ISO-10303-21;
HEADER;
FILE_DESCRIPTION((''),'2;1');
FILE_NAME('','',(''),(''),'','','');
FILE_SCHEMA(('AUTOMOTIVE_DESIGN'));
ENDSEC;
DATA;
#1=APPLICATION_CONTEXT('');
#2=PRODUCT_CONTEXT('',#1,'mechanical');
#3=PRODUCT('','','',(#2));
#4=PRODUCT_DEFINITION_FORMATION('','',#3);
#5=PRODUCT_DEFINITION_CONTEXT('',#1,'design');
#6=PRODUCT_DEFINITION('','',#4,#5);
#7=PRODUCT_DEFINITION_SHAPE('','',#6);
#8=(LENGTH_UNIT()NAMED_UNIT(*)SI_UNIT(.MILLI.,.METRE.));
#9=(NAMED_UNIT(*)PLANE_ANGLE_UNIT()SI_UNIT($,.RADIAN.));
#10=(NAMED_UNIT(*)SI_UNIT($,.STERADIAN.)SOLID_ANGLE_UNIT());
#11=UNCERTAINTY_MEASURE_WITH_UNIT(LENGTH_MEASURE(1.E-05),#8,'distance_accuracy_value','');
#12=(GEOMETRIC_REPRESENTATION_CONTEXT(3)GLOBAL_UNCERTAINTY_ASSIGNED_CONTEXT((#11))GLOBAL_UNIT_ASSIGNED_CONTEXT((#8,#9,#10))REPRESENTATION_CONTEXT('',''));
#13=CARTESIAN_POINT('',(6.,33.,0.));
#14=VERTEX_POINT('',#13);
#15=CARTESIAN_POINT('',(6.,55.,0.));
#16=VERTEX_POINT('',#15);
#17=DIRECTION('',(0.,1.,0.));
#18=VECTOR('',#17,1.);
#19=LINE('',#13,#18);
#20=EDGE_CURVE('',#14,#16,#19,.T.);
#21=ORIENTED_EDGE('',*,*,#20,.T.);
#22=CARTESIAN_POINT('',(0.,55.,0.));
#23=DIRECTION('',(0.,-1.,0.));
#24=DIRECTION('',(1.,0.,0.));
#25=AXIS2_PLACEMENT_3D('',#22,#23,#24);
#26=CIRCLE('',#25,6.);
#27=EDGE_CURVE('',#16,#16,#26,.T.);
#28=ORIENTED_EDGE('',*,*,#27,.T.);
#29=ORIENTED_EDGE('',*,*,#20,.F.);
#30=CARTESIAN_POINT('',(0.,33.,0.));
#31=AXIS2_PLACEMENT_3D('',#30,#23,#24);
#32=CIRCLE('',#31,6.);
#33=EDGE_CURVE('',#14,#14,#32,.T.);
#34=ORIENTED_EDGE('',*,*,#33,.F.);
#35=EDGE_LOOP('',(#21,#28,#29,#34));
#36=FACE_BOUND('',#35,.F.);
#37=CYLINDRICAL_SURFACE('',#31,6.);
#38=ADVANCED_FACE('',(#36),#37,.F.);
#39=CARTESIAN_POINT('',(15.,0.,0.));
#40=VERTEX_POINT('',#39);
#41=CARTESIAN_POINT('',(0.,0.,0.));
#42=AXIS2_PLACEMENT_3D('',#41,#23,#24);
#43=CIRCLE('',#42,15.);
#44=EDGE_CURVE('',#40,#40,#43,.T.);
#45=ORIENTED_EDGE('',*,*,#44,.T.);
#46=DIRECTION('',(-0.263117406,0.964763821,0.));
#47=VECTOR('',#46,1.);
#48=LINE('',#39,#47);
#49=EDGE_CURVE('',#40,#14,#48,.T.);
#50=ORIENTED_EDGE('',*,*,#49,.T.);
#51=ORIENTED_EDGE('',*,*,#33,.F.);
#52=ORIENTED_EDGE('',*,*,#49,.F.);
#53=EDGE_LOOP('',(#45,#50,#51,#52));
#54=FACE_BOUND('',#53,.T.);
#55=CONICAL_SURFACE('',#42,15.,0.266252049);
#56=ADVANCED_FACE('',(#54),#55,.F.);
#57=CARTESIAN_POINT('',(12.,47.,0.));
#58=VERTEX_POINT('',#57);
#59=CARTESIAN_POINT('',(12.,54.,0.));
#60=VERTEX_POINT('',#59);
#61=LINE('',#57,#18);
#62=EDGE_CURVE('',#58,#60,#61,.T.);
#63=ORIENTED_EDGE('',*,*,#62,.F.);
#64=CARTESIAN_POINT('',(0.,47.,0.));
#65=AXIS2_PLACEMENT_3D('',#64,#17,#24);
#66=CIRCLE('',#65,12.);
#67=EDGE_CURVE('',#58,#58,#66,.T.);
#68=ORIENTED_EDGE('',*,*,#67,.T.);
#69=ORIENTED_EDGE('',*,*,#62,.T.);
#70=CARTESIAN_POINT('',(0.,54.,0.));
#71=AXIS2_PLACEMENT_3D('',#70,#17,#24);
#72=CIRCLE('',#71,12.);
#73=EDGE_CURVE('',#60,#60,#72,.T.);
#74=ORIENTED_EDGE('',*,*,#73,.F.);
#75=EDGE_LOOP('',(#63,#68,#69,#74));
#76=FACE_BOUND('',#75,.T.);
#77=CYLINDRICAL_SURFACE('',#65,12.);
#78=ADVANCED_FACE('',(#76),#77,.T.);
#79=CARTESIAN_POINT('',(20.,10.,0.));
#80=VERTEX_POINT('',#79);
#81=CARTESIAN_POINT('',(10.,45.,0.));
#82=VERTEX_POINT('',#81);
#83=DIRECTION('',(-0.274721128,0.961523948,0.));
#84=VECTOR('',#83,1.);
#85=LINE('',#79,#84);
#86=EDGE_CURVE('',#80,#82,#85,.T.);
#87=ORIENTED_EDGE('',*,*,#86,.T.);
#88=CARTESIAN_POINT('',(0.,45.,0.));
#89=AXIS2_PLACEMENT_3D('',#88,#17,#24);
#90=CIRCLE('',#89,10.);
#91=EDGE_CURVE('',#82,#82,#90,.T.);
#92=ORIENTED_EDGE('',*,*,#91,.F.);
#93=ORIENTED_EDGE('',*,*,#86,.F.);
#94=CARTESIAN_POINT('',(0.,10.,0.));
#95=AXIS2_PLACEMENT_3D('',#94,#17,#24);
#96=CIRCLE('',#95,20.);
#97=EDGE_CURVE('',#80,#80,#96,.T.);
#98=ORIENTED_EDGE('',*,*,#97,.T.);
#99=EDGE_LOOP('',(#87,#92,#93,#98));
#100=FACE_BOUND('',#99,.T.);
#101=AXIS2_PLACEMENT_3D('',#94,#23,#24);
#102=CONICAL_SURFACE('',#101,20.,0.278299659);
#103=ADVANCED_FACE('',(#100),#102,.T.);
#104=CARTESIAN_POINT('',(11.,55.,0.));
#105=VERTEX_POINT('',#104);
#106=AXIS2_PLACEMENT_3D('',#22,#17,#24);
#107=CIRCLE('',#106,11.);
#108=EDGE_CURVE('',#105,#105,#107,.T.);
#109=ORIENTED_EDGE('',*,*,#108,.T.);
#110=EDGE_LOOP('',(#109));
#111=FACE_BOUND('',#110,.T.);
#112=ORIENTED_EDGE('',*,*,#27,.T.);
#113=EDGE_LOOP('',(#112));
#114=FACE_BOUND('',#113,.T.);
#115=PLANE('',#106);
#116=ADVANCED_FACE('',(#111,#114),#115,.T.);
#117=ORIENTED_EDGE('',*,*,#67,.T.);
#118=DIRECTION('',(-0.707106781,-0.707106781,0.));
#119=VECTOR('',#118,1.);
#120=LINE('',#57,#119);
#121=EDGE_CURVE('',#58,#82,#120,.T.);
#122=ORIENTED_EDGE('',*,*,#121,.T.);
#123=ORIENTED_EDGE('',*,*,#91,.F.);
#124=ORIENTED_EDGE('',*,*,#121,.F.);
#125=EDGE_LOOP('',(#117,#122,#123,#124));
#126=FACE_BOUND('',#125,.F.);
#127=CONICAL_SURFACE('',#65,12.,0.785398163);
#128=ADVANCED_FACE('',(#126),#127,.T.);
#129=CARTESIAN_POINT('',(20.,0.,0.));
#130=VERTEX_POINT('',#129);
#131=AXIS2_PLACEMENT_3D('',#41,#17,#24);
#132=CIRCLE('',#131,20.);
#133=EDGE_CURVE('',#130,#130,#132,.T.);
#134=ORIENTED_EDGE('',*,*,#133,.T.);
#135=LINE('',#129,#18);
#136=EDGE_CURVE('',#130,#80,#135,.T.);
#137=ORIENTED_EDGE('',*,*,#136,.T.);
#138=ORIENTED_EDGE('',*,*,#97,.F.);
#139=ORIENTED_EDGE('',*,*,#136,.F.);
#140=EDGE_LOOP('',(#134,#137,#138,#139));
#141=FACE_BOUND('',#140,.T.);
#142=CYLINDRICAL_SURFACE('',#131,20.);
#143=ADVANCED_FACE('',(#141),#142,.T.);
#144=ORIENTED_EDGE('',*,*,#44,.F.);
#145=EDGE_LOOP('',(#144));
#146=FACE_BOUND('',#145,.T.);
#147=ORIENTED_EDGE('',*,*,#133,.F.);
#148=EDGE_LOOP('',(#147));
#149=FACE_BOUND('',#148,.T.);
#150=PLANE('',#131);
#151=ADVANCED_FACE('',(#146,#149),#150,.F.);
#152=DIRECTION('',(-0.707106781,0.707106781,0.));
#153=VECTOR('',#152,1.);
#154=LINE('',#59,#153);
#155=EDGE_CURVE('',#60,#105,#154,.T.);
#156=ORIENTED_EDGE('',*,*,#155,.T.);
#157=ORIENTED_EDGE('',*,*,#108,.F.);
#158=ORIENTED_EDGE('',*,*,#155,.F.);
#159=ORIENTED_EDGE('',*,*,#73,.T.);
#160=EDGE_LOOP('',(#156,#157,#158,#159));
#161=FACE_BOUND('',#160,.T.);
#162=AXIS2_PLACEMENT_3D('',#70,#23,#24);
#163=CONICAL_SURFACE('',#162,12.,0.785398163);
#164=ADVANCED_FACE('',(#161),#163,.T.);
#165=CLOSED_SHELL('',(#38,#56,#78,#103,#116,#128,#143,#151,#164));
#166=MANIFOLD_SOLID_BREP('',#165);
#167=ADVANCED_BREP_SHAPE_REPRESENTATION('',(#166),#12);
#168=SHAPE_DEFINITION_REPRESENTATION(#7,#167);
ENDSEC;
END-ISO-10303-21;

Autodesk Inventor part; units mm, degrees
ref_plane "YZ Plane" through (0, 0, 0) normal (1, 0, 0) x (0, 1, 0)
ref_plane "XZ Plane" through (0, 0, 0) normal (0, 1, 0) x (-1, 0, 0)
ref_plane "XY Plane" through (0, 0, 0) normal (0, 0, 1) x (1, 0, 0)
sketch "草圖1" plane through (0, 0, 0) normal (0, 0, 1) x (1, 0, 0)
  line L0 (0, 0) -> (20, 0)
  line L1 (20, 0) -> (20, 10)
  line L2 (20, 10) -> (10, 45)
  line L3 (12, 47) -> (10, 45)
  line L4 (12, 47) -> (12, 54)
  line L5 (11, 55) -> (0, 55)
  line L6 (12, 54) -> (11, 55)
  line L7 (0, 0) -> (0, 55)
  point P0 (12, 55)
  dimension "d0" = 20
  dimension "d1" = 10
  dimension "d4" = 8
  dimension "d5" = 1
  dimension "d6" = 45
  dimension "d7" = 2
  dimension "d8" = 2
  dimension "d9" = 55
  dimension "d10" = 10
revolve "迴轉1" add sketch "草圖1" angle 360 about axis through (0, 0, 0) along (0, 1, 0)
sketch "草圖2" plane through (0, 0, 0) normal (0, 0, 1) x (1, 0, 0)
  line L0 (0, 0) -> (15, 0)
  line L1 (-20, 0) -> (20, 0) projected
  line L2 (15, 0) -> (6, 33)
  line L3 (6, 33) -> (0, 33)
  line L4 (0, 33) -> (0, 0)
  dimension "d12" = 15
  dimension "d13" = 6
  dimension "d14" = 33
revolve "迴轉2" cut sketch "草圖2" angle 360 about axis through (0, 33, 0) along (0, -1, 0)
sketch "草圖3" plane through (0, 33, 0) normal (0, -1, 0) x (1, 0, 0)
  circle A0 centre (0, 0) radius 6
  dimension "d16" = 12
extrude "擠出1" cut sketch "草圖3" against normal through all
thread "螺紋1" size "M12x1.75" class "6H" standard "ANSI Metric M Profile" full length
properties part number "C"
